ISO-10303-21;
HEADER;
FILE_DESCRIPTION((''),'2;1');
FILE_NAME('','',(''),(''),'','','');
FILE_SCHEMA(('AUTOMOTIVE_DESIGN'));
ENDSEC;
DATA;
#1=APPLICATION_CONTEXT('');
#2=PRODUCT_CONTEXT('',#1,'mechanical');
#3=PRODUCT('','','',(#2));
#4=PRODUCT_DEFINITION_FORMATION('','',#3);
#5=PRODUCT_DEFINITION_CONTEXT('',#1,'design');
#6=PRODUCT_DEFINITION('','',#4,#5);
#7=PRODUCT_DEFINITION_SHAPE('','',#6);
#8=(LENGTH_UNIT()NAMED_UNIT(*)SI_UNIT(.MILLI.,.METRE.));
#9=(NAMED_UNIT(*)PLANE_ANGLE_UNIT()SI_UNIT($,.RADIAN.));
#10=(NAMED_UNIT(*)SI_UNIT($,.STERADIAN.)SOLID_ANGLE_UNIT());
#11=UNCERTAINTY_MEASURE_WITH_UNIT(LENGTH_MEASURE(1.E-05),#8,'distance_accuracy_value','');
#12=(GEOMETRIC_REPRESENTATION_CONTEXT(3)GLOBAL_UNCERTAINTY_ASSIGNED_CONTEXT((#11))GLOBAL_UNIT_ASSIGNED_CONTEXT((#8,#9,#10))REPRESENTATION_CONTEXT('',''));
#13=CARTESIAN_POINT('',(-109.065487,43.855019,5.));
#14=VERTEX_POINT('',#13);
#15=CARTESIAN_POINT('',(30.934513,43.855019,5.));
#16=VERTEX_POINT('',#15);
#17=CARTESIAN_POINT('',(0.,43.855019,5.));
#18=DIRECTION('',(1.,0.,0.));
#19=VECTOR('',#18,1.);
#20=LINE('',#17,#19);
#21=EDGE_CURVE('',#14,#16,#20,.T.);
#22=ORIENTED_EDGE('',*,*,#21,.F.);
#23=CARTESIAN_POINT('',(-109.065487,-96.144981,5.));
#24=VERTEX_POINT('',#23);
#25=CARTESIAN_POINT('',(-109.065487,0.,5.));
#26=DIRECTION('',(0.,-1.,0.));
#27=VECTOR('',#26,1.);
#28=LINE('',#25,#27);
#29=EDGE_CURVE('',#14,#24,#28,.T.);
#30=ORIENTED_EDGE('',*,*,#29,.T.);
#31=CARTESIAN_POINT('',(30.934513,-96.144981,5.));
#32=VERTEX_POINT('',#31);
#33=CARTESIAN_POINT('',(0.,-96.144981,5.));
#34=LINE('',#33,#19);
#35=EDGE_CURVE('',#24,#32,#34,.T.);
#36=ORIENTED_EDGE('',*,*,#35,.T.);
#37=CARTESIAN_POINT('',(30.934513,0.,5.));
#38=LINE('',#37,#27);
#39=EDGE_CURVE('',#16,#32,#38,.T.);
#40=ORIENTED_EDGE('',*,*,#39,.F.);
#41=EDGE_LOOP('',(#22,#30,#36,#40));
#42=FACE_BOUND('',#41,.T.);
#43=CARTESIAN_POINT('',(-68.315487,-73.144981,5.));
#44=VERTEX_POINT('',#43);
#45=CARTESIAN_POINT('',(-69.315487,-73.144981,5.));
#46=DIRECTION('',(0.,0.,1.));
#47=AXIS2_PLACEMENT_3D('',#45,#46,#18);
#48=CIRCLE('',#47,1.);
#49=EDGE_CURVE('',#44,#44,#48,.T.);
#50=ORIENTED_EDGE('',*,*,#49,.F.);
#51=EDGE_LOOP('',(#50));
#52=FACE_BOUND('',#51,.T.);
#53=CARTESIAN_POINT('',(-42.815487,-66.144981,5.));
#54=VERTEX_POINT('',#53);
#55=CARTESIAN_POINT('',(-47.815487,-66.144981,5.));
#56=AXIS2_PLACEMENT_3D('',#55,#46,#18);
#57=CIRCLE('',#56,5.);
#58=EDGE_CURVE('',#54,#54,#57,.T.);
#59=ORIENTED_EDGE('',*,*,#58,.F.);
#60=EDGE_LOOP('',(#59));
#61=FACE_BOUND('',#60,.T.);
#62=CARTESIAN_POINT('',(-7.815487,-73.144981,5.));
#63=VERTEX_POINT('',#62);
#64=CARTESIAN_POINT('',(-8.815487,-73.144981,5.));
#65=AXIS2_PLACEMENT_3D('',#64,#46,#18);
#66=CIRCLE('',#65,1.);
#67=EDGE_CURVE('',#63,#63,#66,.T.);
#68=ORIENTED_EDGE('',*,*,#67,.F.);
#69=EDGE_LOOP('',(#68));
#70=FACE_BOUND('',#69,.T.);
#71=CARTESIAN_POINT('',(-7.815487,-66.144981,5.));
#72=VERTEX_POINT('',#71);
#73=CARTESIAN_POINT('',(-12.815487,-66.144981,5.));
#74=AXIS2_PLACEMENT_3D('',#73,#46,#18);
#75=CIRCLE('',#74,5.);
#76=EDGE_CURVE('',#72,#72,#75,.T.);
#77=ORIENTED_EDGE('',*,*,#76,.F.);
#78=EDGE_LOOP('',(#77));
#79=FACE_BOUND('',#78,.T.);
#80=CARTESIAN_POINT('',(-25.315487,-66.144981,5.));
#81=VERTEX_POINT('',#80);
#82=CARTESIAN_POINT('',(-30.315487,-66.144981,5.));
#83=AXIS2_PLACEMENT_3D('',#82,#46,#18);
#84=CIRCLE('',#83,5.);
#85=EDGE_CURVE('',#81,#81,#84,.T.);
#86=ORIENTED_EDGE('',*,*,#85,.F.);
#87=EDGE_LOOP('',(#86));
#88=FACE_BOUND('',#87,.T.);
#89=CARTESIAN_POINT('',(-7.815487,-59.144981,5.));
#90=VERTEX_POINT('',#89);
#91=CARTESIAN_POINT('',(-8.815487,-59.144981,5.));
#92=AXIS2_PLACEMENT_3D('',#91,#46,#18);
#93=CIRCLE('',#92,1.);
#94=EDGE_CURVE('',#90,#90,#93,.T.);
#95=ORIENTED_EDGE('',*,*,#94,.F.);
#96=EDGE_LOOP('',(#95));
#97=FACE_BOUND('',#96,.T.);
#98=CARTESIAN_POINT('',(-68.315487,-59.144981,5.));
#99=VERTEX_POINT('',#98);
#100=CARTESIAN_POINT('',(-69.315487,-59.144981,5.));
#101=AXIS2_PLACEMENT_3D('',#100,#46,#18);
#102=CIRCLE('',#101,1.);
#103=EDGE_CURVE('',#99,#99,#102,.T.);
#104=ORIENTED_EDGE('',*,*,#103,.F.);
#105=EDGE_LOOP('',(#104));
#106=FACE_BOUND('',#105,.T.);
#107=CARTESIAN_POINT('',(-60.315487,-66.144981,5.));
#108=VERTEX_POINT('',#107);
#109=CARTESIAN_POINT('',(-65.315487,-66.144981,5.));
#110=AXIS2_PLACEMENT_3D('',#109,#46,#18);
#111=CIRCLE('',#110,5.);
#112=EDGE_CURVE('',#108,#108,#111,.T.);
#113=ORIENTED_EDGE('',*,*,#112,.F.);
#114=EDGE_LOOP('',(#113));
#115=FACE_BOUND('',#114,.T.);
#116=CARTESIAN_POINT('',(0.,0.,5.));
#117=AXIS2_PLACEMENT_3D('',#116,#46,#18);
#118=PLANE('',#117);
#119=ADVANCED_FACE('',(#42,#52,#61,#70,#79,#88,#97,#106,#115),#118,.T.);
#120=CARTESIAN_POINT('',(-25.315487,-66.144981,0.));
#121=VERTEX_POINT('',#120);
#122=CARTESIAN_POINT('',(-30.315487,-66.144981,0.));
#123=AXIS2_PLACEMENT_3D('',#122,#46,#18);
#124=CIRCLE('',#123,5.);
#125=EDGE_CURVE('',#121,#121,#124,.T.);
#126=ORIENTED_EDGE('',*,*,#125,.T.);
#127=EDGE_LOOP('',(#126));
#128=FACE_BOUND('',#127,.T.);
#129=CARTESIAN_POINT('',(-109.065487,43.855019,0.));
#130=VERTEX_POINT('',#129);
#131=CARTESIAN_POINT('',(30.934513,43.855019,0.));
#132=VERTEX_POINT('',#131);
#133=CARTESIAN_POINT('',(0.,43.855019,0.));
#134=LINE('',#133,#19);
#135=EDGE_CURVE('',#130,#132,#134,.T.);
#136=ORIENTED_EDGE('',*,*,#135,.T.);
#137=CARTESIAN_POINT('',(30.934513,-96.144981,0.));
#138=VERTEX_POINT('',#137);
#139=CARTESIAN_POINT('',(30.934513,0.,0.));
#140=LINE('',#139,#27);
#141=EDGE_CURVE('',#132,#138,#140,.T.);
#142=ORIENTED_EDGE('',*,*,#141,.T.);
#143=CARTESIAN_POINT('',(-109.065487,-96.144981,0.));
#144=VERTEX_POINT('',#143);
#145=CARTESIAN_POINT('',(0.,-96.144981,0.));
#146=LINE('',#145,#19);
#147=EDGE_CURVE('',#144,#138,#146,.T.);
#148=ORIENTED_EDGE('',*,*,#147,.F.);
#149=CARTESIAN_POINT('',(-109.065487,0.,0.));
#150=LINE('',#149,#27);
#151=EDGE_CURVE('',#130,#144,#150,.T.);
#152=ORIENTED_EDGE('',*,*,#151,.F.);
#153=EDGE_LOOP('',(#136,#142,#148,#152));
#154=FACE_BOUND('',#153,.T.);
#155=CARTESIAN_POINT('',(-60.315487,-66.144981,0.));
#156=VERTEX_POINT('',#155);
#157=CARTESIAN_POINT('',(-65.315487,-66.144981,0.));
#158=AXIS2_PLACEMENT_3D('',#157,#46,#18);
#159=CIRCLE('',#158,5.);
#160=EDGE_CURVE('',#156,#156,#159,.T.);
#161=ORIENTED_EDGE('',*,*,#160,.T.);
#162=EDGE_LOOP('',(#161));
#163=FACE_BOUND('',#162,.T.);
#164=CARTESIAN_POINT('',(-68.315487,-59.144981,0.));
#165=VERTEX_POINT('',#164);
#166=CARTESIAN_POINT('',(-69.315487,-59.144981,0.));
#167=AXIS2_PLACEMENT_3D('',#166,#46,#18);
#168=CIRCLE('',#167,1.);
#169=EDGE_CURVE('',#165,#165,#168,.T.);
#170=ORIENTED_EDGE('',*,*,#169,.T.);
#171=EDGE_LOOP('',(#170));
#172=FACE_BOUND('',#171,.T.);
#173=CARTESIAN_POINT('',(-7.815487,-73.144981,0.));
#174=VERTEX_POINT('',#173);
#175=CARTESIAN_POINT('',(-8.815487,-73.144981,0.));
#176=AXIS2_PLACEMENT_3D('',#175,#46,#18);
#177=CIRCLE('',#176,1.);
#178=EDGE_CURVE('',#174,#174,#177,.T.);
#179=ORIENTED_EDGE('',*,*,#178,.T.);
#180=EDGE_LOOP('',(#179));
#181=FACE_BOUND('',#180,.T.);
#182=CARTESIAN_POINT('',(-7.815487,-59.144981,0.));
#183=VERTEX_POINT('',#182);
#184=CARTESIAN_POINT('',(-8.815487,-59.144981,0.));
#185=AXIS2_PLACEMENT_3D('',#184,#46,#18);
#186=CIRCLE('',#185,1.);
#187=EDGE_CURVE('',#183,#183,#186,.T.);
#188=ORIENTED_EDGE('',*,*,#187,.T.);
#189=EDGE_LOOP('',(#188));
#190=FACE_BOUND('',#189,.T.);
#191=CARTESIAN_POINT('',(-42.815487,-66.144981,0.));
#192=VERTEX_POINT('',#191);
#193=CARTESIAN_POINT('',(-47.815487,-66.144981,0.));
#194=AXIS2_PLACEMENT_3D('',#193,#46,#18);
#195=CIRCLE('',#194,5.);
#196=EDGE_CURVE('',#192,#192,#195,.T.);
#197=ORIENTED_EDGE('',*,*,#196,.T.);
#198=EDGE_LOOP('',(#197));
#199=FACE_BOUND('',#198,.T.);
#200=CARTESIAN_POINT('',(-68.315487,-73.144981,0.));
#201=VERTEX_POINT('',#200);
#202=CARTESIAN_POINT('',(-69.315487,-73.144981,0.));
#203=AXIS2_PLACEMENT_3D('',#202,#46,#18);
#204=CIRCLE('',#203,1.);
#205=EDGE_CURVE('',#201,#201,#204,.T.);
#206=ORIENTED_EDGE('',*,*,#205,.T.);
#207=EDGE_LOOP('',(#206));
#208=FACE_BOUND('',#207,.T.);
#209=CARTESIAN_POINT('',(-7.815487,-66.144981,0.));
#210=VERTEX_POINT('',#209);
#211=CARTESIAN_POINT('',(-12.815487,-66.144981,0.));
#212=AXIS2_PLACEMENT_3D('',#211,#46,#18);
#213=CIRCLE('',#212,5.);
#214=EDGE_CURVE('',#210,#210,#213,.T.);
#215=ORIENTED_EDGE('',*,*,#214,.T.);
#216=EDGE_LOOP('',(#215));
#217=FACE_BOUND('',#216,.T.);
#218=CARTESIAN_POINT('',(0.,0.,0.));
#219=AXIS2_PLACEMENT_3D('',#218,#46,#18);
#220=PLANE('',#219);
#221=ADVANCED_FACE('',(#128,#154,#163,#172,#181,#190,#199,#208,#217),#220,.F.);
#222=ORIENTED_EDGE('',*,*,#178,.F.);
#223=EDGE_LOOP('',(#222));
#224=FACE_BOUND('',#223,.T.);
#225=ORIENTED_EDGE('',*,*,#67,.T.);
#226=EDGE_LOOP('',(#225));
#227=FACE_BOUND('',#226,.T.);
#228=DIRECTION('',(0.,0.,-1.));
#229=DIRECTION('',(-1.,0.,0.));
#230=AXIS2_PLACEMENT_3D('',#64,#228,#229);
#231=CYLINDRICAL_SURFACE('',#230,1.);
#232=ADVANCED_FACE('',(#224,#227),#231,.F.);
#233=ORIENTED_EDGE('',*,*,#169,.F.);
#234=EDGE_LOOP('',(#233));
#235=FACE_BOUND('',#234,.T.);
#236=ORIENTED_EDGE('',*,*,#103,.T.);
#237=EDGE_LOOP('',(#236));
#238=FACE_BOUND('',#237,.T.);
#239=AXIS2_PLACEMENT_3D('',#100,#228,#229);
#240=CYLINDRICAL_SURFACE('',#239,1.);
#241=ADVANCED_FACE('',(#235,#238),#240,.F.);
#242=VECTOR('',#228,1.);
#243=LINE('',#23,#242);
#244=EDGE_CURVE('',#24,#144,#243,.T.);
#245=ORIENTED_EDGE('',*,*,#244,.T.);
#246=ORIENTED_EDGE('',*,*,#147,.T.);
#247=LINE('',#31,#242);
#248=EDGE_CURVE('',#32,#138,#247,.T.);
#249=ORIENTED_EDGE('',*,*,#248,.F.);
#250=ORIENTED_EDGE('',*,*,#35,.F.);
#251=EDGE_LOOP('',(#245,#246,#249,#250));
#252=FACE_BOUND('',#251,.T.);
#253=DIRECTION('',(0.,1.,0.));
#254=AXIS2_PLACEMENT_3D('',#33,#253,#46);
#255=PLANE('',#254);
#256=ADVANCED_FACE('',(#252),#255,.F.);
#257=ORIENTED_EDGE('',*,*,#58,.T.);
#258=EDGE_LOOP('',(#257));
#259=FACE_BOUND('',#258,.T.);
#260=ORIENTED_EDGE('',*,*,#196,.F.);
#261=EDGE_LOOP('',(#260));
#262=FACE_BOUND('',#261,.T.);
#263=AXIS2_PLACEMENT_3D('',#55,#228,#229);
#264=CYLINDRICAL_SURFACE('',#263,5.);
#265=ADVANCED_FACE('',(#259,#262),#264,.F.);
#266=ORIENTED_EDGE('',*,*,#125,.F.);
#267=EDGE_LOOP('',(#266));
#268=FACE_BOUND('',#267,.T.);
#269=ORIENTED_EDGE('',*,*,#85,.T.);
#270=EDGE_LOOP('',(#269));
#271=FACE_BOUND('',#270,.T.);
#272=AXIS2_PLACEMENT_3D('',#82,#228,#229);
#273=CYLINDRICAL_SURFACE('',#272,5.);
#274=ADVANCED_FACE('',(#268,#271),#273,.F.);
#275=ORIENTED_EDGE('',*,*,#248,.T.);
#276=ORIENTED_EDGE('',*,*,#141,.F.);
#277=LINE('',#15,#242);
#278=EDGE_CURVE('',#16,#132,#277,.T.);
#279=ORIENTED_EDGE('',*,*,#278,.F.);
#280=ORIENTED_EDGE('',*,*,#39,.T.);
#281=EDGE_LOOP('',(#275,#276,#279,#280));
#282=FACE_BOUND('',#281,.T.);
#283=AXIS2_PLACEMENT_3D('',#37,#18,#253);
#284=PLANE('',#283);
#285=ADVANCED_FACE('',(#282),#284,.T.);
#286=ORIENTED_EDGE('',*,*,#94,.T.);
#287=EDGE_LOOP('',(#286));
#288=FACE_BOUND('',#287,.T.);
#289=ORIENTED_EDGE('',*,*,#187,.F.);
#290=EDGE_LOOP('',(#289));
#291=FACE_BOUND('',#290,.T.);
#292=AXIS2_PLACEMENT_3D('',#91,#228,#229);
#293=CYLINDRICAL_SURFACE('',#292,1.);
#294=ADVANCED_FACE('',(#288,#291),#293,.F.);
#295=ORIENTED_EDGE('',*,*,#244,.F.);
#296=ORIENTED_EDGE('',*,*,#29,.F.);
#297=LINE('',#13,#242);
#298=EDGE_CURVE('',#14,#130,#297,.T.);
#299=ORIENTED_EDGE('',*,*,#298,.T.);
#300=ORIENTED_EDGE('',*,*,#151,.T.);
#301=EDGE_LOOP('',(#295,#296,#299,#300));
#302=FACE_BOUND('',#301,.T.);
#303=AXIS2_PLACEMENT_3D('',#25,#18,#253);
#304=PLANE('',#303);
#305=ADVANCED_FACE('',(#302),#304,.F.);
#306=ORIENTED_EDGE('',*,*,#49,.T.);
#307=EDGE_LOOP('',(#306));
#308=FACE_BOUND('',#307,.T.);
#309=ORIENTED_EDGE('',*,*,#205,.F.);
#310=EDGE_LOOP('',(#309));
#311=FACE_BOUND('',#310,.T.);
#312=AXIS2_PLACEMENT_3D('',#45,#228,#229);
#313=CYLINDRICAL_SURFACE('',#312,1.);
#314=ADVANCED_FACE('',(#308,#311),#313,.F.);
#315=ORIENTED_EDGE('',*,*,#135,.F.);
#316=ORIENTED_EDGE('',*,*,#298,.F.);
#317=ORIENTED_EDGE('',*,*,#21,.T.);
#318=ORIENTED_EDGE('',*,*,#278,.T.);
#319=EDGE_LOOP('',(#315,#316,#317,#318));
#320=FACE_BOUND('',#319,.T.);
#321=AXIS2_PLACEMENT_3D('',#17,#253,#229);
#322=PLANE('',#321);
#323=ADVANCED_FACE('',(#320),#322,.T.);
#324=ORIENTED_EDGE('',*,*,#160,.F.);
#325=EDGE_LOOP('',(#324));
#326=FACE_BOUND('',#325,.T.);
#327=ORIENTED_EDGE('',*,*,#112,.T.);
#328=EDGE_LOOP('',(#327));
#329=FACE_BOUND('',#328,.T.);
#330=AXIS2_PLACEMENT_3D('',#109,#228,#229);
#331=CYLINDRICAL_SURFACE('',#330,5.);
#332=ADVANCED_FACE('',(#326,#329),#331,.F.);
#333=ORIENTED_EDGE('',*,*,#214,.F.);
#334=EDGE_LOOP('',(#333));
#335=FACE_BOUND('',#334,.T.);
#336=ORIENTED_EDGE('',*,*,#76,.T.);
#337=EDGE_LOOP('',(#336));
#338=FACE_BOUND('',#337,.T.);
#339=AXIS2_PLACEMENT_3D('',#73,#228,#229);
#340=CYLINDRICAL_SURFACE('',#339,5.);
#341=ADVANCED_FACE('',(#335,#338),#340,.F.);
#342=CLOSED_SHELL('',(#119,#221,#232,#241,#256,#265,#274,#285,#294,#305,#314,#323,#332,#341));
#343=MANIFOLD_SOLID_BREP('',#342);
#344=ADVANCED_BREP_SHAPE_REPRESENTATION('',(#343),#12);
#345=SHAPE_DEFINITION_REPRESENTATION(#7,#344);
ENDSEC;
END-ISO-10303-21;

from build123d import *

# Parameters (mm, degrees)
SKETCH1_W           = 140
SKETCH1_H           = 140
SKETCH1_W_2         = 68.5
SKETCH1_H_2         = 22
BOSS_EXTRUDE1_DEPTH = 5
SKETCH1_4_W         = 140
SKETCH1_4_H         = 140
SKETCH1_4_R         = 5
SKETCH1_4_R_2       = 1
BOSS_EXTRUDE3_DEPTH = 5


with BuildPart() as part:
    # Sketch1 → Boss-Extrude1 (new body)
    with BuildSketch(Plane.XY):
        with Locations((-39.065487154, -26.144980504)):
            Rectangle(SKETCH1_W, SKETCH1_H)
        with Locations((-39.065487154, -66.144980504)):
            Rectangle(SKETCH1_W_2, SKETCH1_H_2, mode=Mode.SUBTRACT)
    extrude(amount=BOSS_EXTRUDE1_DEPTH)

    # Sketch1<4> → Boss-Extrude3 (add)
    with BuildSketch(Plane.XY):
        with Locations((-39.065487154, -26.144980504)):
            Rectangle(SKETCH1_4_W, SKETCH1_4_H)
        with Locations((-30.315487154, -66.144980504)):
            Circle(SKETCH1_4_R, mode=Mode.SUBTRACT)
        with Locations((-8.815487154, -73.144980504)):
            Circle(SKETCH1_4_R_2, mode=Mode.SUBTRACT)
        with Locations((-12.815487154, -66.144980504)):
            Circle(SKETCH1_4_R, mode=Mode.SUBTRACT)
        with Locations((-8.815487154, -59.144980504)):
            Circle(SKETCH1_4_R_2, mode=Mode.SUBTRACT)
        with Locations((-69.315487154, -73.144980504)):
            Circle(SKETCH1_4_R_2, mode=Mode.SUBTRACT)
        with Locations((-65.315487154, -66.144980504)):
            Circle(SKETCH1_4_R, mode=Mode.SUBTRACT)
        with Locations((-47.815487154, -66.144980504)):
            Circle(SKETCH1_4_R, mode=Mode.SUBTRACT)
        with Locations((-69.315487154, -59.144980504)):
            Circle(SKETCH1_4_R_2, mode=Mode.SUBTRACT)
    extrude(amount=BOSS_EXTRUDE3_DEPTH)


solid = part.part
